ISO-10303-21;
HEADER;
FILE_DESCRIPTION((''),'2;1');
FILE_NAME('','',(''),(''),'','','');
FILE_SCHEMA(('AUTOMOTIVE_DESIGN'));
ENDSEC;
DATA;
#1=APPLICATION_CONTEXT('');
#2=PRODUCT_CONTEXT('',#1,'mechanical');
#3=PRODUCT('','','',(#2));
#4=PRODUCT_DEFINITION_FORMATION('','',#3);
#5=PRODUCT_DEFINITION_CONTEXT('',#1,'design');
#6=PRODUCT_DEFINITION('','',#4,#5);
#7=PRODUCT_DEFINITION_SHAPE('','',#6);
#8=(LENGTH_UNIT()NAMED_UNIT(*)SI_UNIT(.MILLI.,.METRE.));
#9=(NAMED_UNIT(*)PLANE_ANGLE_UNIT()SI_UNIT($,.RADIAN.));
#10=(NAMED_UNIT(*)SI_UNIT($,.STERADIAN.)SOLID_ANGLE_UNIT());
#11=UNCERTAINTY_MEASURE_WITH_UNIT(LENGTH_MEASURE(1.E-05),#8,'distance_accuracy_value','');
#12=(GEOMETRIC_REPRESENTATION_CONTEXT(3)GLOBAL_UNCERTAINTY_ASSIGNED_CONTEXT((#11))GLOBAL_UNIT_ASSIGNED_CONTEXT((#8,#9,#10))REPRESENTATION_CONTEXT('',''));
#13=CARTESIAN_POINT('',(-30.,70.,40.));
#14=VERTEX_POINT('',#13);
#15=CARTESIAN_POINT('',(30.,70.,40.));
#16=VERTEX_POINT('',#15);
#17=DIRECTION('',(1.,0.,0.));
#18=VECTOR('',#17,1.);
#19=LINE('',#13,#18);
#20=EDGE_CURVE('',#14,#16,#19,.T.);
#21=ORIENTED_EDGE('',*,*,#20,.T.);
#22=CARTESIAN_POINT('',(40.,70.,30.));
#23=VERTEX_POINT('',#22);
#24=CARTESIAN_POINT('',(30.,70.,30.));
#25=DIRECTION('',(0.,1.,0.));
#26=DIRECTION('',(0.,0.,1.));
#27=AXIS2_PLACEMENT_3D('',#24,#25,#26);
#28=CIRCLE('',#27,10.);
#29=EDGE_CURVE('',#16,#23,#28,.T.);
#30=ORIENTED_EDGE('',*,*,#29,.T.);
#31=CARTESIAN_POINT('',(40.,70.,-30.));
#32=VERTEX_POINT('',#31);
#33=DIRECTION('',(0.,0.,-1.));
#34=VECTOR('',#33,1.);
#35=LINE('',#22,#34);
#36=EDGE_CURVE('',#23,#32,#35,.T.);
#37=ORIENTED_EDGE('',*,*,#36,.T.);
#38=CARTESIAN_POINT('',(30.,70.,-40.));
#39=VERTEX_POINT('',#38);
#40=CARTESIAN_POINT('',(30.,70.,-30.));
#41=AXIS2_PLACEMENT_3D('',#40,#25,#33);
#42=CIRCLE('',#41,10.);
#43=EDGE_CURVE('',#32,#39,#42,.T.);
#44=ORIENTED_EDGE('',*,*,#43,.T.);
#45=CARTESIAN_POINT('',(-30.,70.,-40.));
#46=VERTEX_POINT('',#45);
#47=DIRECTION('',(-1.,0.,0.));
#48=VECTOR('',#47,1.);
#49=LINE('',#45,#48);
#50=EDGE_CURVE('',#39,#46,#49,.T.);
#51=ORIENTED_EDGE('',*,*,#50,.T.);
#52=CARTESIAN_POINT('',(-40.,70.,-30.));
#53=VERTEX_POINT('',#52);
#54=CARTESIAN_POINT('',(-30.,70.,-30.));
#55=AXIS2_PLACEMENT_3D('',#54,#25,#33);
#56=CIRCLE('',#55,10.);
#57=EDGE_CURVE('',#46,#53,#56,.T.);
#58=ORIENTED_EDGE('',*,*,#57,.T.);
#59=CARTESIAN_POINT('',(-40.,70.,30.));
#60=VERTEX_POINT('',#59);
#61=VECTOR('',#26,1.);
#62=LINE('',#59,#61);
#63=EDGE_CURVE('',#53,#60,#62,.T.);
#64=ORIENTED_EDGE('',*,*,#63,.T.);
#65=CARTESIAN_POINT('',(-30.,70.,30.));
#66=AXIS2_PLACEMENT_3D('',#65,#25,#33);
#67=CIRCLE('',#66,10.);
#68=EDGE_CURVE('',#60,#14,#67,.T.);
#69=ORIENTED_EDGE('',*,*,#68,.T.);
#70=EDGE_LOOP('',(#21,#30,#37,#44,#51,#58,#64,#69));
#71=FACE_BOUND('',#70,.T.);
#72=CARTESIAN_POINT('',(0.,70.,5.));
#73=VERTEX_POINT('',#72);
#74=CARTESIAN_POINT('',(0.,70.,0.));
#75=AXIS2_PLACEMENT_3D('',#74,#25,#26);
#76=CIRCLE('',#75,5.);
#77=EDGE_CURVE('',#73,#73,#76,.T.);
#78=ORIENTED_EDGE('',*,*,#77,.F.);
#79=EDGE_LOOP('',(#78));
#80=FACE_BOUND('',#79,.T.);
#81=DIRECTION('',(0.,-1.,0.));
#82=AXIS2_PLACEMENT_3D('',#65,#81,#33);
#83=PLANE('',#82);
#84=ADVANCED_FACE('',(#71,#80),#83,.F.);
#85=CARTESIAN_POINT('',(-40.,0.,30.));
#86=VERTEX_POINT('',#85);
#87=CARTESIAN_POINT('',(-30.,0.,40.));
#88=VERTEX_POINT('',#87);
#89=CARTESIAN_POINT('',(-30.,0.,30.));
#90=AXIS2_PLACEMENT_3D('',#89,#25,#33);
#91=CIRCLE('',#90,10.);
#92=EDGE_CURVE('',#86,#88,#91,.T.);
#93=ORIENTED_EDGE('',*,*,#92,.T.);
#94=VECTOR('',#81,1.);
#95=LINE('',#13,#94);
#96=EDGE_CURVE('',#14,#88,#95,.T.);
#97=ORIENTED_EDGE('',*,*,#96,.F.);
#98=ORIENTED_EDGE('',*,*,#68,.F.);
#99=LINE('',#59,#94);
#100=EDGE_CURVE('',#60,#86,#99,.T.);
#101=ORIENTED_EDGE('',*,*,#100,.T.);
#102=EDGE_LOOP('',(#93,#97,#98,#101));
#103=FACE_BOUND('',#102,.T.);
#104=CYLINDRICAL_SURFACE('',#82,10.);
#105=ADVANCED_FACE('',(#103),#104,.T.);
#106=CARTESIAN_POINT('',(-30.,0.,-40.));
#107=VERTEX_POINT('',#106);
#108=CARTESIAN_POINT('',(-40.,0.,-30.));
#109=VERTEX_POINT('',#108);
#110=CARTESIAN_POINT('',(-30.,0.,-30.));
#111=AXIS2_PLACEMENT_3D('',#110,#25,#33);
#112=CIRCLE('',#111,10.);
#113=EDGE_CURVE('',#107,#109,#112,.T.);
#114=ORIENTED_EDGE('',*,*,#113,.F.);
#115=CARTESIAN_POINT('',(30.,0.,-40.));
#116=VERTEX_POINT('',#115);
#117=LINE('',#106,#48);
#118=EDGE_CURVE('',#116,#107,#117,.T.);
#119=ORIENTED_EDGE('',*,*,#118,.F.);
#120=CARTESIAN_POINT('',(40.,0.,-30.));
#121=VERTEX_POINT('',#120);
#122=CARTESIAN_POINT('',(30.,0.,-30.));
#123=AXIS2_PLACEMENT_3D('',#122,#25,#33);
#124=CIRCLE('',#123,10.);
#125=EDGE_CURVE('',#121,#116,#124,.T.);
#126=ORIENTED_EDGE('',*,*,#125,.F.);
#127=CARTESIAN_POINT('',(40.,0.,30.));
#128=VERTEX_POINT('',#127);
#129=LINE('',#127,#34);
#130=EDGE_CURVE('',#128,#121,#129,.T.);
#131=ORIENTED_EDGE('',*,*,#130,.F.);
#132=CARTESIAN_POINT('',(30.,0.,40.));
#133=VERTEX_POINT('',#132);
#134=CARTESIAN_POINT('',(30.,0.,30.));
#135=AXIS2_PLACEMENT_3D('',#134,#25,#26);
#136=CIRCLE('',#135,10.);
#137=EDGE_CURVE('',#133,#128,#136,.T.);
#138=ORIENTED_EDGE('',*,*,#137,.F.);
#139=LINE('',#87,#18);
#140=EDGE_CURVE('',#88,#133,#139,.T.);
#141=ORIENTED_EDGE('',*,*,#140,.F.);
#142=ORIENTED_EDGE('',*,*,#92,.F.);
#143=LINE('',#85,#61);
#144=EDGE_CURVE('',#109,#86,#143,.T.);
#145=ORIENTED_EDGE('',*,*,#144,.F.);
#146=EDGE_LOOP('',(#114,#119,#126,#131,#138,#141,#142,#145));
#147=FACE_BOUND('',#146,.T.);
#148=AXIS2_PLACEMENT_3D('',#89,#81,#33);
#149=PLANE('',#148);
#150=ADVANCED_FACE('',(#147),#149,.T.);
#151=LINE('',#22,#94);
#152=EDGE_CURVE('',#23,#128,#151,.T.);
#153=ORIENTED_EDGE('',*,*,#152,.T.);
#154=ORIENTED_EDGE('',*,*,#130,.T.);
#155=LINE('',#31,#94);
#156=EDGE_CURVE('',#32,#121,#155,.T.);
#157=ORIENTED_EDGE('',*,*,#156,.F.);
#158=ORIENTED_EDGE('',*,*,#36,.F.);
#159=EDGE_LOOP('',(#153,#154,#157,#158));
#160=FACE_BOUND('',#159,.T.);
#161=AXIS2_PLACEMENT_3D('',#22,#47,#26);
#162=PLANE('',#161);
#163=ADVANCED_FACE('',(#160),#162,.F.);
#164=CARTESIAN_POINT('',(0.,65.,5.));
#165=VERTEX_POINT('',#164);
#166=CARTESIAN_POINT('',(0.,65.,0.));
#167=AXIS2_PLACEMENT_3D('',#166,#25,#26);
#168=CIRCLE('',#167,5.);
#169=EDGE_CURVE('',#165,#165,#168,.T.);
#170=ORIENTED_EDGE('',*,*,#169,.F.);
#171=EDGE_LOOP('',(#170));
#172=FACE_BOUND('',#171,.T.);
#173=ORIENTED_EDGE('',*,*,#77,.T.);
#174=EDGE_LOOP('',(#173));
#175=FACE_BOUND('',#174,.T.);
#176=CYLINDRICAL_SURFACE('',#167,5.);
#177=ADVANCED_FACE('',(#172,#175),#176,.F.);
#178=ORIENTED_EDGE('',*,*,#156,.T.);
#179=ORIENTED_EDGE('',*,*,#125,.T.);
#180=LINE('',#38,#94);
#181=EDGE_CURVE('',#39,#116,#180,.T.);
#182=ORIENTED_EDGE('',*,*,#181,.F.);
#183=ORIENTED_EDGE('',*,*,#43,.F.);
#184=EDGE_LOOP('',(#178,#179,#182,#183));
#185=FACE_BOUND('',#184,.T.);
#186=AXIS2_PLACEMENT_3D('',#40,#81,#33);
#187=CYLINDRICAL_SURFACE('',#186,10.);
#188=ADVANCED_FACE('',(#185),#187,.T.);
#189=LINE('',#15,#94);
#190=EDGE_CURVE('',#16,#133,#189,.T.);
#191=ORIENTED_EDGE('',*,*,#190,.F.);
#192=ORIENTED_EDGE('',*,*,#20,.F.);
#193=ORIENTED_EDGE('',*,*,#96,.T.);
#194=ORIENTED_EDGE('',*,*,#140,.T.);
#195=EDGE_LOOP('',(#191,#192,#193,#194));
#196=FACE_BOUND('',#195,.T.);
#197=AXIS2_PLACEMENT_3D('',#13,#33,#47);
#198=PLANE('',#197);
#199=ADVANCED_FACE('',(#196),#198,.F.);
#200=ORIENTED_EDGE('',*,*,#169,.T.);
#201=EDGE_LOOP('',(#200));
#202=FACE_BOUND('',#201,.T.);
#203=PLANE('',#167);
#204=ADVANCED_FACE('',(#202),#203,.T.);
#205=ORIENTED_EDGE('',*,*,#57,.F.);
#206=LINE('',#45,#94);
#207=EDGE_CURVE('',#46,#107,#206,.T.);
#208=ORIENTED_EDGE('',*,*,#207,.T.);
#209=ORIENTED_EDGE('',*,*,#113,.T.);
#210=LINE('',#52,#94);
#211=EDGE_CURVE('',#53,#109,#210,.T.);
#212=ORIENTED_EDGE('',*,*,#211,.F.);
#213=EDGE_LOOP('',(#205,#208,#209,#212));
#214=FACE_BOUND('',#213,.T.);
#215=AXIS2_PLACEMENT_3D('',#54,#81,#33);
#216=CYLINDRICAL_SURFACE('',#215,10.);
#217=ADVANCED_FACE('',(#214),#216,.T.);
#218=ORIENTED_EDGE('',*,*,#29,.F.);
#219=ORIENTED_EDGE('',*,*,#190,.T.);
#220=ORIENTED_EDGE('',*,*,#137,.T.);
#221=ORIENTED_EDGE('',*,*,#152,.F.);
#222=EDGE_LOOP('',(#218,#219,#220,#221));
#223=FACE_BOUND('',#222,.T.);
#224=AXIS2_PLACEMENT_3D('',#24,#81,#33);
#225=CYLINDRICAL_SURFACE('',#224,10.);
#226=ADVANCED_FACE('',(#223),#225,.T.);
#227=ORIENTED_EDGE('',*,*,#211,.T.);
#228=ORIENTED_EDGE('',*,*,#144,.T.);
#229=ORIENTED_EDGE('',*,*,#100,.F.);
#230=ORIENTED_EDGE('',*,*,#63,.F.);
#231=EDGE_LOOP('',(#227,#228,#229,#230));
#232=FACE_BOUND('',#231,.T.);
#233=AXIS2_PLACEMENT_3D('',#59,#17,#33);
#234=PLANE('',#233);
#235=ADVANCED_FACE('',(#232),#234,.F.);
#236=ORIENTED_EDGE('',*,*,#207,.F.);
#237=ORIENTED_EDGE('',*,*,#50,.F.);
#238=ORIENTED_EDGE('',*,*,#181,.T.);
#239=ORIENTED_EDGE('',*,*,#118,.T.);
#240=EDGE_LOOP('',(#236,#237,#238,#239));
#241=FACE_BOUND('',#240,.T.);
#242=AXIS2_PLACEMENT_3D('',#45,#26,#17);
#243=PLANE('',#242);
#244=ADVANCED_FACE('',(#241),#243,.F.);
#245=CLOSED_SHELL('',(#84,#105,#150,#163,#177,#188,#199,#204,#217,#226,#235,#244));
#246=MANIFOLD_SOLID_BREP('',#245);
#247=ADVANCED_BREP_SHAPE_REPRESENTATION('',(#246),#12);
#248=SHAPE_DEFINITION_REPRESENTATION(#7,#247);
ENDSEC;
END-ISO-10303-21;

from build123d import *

# Parameters (mm, degrees)
BOSS_EXTRUDE1_DEPTH = 70
SKETCH2_R           = 5
CUT_EXTRUDE1_DEPTH  = 5


with BuildPart() as part:
    # Sketch1 → Boss-Extrude1 (new body)
    with BuildSketch(Plane(origin=(0, 0, 0), x_dir=(1, 0, 0), z_dir=(0, 1, 0))):
        with BuildLine():
            Line((-30, -40), (30, -40))
            ThreePointArc((30, -40), (37.071067812, -37.071067812), (40, -30))
            Line((40, -30), (40, 30))
            ThreePointArc((40, 30), (37.071067812, 37.071067812), (30, 40))
            Line((30, 40), (-30, 40))
            ThreePointArc((-30, 40), (-37.071067812, 37.071067812), (-40, 30))
            Line((-40, 30), (-40, -30))
            ThreePointArc((-40, -30), (-37.071067812, -37.071067812), (-30, -40))
        make_face()
    extrude(amount=BOSS_EXTRUDE1_DEPTH)

    # Sketch2 → Cut-Extrude1 (cut)
    with BuildSketch(Plane(origin=(0, 70, 0), x_dir=(1, 0, 0), z_dir=(0, 1, 0))):
        with Locations(Location((0, 0, 0), (0, 0, 270))):
            Circle(SKETCH2_R)
    extrude(amount=-CUT_EXTRUDE1_DEPTH, mode=Mode.SUBTRACT)


solid = part.part
